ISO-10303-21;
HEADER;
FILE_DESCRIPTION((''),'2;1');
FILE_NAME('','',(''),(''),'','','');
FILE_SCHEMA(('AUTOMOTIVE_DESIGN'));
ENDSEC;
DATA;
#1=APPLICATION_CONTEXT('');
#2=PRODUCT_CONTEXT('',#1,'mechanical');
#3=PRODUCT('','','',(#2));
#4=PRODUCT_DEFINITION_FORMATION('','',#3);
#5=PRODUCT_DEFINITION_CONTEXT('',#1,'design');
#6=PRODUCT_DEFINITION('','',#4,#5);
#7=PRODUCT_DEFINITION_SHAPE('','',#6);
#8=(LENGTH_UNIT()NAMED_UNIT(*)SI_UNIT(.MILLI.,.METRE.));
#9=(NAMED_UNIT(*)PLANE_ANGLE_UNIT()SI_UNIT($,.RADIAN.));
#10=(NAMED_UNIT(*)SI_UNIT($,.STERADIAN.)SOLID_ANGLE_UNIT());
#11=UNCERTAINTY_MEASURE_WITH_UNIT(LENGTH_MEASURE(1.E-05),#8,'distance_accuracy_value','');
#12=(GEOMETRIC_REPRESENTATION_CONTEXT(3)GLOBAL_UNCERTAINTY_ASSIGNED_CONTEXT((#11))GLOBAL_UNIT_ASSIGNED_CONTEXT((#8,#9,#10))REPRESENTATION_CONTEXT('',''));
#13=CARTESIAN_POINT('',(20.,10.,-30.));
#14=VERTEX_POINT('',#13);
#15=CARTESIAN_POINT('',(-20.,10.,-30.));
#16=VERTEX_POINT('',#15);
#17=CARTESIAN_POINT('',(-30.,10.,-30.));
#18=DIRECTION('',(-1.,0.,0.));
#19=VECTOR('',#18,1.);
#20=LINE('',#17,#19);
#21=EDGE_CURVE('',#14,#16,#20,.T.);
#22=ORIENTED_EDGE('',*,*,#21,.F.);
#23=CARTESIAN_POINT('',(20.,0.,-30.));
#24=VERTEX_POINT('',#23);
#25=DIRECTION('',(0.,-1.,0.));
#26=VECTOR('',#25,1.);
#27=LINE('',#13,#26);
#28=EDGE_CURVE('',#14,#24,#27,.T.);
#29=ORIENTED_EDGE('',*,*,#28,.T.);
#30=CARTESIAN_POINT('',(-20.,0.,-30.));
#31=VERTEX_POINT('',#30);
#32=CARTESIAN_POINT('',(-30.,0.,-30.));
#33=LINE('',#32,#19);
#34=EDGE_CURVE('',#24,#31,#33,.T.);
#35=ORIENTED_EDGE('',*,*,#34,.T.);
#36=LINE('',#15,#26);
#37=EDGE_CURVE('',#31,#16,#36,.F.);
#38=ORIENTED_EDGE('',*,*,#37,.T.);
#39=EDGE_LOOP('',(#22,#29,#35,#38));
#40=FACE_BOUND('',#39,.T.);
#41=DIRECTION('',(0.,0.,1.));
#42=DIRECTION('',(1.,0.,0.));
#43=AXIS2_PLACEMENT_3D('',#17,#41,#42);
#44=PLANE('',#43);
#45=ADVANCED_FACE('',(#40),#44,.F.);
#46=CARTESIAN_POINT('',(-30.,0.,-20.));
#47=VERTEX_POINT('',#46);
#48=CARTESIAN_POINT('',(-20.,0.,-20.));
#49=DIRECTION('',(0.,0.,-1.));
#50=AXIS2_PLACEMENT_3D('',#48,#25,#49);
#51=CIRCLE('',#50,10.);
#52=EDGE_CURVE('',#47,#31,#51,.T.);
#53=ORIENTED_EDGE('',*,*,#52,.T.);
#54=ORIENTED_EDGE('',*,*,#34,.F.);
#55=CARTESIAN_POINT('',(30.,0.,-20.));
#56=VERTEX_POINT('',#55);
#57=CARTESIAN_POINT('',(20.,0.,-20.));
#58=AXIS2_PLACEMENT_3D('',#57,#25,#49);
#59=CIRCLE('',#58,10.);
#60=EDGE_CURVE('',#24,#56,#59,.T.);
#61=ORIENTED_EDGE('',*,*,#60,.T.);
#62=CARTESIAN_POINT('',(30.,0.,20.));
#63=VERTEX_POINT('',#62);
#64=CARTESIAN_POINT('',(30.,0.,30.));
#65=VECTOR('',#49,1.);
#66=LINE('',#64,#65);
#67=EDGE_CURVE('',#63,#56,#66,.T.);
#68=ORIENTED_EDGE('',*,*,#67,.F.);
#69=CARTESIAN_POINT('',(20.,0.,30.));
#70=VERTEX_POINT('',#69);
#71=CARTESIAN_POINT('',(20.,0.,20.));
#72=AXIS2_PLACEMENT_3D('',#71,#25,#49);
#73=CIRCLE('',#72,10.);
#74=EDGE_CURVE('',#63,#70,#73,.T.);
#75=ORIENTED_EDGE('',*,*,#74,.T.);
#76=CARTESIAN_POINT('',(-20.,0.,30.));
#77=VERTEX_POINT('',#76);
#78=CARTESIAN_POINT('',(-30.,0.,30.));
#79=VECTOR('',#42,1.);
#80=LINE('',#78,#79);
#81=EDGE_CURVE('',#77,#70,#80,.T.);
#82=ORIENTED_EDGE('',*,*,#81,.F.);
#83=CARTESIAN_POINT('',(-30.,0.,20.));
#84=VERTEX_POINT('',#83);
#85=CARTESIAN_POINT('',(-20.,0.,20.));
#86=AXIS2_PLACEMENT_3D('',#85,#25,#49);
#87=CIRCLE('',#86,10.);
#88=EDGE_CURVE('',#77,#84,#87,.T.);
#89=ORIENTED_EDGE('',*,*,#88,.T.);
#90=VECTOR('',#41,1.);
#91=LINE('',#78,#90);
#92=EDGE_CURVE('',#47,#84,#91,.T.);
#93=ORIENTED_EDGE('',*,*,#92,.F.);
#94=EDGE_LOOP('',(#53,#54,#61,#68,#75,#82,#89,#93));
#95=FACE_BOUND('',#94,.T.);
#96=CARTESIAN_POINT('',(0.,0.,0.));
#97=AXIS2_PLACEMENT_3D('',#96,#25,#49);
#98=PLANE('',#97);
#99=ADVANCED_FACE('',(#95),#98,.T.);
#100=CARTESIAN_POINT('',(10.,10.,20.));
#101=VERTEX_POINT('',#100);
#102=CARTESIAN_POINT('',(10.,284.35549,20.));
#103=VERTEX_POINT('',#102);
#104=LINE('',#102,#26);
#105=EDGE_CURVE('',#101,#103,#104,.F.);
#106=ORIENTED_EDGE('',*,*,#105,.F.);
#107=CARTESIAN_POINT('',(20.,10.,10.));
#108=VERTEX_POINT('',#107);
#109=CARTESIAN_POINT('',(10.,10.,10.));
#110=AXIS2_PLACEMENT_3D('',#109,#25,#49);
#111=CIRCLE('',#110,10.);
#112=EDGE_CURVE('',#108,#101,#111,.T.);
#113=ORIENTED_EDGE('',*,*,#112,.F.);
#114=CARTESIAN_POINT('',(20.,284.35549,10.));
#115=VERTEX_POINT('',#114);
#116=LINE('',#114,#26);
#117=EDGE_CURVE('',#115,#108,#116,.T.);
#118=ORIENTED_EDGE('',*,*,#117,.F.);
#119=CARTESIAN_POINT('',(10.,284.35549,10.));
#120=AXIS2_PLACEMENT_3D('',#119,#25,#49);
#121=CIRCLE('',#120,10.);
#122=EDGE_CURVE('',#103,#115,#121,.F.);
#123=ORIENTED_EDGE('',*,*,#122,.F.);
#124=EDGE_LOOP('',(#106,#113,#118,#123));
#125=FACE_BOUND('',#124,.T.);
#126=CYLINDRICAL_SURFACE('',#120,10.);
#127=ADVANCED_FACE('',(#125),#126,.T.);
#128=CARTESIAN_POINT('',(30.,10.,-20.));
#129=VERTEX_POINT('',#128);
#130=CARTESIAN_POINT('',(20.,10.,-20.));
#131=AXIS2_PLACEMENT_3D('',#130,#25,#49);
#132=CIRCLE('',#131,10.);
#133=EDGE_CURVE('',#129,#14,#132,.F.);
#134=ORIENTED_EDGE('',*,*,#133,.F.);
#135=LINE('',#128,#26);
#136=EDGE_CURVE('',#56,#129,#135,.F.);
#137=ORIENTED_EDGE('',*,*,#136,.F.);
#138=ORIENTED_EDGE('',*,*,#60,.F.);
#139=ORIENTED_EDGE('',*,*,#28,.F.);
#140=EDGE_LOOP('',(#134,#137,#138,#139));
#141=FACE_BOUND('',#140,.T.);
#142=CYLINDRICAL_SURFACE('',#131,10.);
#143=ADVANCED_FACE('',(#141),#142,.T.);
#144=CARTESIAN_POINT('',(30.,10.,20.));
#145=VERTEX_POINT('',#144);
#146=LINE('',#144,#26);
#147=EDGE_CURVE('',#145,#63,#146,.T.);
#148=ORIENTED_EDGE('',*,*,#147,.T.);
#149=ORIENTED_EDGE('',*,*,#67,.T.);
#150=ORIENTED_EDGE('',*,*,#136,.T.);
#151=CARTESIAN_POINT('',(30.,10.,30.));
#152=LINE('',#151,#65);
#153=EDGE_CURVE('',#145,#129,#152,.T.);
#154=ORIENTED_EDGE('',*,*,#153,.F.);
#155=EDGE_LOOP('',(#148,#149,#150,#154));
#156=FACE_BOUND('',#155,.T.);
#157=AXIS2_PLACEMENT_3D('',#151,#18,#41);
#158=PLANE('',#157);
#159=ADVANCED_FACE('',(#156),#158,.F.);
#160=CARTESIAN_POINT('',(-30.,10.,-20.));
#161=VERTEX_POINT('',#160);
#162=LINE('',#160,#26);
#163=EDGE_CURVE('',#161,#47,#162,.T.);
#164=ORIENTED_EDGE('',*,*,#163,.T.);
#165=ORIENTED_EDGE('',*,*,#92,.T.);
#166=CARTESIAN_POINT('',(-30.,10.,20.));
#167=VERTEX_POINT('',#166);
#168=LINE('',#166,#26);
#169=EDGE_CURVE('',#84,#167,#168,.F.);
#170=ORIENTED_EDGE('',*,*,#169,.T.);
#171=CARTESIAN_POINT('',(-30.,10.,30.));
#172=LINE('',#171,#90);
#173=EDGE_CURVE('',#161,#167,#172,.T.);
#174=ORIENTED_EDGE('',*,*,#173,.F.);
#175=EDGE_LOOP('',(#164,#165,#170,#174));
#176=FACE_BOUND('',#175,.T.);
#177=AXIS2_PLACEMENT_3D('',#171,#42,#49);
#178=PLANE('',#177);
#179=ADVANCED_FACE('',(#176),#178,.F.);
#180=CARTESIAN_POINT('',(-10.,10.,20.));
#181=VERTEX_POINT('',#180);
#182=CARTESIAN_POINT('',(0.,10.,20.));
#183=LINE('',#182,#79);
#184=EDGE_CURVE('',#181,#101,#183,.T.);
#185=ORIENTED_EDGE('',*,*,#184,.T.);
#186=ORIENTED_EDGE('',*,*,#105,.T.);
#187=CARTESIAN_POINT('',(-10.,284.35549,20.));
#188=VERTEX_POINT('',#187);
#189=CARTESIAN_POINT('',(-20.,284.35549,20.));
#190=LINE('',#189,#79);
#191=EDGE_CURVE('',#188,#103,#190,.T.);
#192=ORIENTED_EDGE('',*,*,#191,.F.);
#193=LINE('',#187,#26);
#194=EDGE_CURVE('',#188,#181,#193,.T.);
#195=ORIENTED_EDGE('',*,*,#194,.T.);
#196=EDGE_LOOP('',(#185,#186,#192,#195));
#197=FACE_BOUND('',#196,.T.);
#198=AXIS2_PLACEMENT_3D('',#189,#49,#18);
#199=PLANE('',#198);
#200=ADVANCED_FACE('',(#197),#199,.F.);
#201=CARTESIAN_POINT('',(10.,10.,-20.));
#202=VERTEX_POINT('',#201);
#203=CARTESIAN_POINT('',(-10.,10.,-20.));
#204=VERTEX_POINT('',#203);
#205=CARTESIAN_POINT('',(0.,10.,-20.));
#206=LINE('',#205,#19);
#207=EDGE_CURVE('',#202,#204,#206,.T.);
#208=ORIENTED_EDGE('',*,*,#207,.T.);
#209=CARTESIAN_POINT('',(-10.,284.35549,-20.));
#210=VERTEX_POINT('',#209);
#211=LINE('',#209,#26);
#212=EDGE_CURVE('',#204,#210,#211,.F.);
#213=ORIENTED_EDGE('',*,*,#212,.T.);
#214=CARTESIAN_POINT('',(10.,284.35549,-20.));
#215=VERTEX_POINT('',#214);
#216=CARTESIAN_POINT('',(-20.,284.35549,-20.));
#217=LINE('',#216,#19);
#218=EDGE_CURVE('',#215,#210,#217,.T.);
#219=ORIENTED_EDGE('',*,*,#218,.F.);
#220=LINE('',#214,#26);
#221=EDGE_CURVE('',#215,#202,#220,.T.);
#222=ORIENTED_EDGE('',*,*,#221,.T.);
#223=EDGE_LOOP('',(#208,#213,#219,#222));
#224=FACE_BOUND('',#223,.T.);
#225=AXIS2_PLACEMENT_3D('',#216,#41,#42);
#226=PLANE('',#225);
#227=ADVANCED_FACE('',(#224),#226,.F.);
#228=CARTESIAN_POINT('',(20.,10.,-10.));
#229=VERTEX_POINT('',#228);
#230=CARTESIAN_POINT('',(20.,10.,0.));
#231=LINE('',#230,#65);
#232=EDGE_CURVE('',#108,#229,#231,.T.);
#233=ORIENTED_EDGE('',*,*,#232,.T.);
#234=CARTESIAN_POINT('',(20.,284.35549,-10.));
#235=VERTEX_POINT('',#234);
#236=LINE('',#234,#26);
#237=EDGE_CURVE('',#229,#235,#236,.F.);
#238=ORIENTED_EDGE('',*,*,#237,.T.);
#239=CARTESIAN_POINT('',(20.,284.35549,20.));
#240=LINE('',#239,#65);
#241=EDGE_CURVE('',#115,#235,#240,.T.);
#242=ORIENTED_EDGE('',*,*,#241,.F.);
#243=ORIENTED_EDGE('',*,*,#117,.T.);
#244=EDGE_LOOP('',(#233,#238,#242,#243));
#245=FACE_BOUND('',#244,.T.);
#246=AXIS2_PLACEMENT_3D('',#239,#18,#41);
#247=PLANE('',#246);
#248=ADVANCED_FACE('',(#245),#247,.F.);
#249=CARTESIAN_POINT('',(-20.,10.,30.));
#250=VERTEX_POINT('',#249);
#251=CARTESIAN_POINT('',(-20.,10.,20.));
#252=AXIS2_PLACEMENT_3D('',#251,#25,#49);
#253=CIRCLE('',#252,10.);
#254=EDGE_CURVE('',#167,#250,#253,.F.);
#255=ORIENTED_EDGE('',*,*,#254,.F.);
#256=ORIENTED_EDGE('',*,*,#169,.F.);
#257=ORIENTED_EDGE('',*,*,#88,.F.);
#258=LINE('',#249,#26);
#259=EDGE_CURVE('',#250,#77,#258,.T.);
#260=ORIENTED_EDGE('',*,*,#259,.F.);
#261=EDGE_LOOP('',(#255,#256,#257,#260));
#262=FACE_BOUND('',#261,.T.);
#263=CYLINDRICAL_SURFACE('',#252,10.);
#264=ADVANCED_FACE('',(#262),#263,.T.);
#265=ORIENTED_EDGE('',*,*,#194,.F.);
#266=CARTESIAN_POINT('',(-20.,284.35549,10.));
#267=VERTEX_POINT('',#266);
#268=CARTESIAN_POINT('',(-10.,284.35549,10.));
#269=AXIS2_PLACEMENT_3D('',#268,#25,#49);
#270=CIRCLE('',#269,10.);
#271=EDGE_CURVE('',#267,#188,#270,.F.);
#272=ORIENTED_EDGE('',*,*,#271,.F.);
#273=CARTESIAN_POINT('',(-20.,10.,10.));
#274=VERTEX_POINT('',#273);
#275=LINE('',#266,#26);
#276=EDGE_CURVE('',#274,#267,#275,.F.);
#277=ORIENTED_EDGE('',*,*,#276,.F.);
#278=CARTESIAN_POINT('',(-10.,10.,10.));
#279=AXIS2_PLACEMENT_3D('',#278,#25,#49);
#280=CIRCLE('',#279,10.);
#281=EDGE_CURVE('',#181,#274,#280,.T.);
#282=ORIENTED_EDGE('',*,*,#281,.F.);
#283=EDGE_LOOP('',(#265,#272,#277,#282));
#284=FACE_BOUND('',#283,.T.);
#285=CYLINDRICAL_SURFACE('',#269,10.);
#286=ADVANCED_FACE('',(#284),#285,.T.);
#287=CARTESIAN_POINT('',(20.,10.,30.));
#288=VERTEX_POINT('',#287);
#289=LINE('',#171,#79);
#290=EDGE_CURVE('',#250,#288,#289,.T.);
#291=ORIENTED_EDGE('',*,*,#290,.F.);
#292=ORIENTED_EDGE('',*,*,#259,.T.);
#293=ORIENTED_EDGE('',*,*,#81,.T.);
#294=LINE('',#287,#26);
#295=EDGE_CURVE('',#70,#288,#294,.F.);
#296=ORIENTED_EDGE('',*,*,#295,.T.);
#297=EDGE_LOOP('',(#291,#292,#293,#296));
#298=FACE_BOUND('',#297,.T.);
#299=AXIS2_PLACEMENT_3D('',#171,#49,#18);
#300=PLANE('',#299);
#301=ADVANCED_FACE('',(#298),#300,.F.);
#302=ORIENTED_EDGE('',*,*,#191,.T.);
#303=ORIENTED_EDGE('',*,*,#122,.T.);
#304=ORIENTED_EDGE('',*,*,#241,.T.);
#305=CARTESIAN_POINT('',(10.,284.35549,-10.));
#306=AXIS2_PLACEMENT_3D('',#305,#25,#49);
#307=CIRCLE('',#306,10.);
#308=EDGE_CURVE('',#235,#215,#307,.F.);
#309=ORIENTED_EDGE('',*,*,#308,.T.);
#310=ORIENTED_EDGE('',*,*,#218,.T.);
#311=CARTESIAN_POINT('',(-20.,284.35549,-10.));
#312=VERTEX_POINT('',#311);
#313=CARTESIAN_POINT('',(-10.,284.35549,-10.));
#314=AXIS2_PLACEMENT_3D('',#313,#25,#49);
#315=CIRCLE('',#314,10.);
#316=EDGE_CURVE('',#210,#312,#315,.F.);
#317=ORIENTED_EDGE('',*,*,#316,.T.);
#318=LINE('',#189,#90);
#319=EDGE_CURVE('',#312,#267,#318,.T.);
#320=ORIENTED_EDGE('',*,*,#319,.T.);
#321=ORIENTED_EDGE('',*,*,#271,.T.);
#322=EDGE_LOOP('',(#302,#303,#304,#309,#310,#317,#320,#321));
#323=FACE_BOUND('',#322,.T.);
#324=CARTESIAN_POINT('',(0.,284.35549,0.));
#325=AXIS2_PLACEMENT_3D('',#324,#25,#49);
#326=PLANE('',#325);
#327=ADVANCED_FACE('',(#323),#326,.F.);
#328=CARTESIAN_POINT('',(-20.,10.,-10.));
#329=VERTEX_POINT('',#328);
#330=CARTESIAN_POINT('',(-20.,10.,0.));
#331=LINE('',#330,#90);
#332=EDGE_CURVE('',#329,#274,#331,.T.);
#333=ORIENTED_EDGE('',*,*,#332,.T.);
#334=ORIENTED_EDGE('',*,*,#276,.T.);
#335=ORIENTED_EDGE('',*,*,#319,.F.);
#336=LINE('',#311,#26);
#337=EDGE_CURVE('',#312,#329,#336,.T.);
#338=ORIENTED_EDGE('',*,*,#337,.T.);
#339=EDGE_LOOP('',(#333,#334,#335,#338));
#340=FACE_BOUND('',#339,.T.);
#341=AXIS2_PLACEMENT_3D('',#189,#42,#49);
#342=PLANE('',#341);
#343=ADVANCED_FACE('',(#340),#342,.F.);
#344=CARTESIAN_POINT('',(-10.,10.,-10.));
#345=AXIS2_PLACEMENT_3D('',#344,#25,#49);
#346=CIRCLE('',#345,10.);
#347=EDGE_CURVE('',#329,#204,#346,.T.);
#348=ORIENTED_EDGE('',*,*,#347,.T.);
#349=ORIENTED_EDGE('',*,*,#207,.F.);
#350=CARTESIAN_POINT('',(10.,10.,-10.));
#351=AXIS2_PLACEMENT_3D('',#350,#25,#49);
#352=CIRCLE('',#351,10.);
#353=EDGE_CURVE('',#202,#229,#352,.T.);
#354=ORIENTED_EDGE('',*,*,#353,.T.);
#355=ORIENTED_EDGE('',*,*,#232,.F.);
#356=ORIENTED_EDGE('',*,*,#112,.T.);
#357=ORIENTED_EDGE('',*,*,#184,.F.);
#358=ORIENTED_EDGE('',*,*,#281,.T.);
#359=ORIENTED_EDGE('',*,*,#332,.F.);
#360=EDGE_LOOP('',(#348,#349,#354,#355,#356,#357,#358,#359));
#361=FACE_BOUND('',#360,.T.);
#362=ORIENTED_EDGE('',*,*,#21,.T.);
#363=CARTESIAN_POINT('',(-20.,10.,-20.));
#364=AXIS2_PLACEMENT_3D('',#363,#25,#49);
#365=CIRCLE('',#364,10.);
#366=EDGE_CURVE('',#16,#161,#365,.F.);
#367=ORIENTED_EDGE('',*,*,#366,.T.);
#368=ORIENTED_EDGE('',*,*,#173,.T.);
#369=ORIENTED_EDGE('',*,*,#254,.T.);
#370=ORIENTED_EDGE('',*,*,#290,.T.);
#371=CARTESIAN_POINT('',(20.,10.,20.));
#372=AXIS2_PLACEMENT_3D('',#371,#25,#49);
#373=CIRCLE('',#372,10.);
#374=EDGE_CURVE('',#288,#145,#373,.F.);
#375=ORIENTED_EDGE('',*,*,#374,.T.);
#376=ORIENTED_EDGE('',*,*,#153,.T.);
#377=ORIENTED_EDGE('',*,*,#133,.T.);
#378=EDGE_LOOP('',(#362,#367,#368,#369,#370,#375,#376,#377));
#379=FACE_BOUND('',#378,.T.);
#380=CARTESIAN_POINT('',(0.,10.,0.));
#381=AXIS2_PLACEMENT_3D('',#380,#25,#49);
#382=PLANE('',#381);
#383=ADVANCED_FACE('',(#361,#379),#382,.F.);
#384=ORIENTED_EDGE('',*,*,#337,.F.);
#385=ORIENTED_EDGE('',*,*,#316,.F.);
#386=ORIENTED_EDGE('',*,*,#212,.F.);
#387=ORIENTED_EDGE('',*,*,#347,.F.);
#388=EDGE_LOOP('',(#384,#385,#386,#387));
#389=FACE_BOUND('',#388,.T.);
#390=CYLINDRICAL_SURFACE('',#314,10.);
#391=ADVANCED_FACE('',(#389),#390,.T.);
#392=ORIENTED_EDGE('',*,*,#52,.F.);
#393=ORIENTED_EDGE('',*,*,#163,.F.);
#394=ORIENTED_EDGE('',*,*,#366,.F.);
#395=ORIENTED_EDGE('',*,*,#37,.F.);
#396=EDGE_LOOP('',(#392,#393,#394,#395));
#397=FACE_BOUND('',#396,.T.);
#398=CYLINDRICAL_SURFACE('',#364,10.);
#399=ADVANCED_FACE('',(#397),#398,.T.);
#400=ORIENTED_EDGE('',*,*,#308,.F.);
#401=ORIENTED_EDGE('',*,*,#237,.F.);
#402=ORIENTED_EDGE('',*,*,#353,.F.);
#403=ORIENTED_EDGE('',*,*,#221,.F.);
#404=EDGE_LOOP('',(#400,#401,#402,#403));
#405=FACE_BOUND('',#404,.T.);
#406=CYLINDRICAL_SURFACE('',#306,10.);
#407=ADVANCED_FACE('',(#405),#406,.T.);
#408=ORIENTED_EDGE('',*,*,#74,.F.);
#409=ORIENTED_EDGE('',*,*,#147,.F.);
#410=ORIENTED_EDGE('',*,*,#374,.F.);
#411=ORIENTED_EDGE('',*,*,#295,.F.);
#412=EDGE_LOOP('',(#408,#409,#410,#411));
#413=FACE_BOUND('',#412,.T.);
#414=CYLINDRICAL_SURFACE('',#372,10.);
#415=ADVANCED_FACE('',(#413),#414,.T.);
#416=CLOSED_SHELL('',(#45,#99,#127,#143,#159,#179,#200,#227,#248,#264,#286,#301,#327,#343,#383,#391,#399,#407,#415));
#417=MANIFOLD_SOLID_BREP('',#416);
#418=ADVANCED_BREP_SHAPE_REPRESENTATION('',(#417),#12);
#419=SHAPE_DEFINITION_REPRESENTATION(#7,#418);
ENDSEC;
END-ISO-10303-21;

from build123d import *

# Parameters (mm, degrees)
SKETCH1_W           = 60
SKETCH1_H           = 60
BOSS_EXTRUDE1_DEPTH = 10
SKETCH2_W           = 40
SKETCH2_H           = 40
BOSS_EXTRUDE2_DEPTH = 284.35549
FILLET1_R           = 10


with BuildPart() as part:
    # Sketch1 → Boss-Extrude1 (new body)
    with BuildSketch(Plane(origin=(0, 0, 0), x_dir=(1, 0, 0), z_dir=(0, 1, 0))):
        Rectangle(SKETCH1_W, SKETCH1_H)
    extrude(amount=BOSS_EXTRUDE1_DEPTH)

    # Sketch2 → Boss-Extrude2 (add)
    with BuildSketch(Plane(origin=(0, 0, 0), x_dir=(1, 0, 0), z_dir=(0, 1, 0))):
        Rectangle(SKETCH2_W, SKETCH2_H)
    extrude(amount=BOSS_EXTRUDE2_DEPTH)

    # Fillet1
    fillet1_edges = [part.edges().sort_by_distance(p)[0] for p in [
        (20, 147.177745, 20),
        (20, 147.177745, -20),
        (-20, 147.177745, -20),
        (-20, 147.177745, 20),
        (30, 5, 30),
        (-30, 5, 30),
        (-30, 5, -30),
        (30, 5, -30),
    ]]
    fillet(fillet1_edges, radius=FILLET1_R)


solid = part.part
